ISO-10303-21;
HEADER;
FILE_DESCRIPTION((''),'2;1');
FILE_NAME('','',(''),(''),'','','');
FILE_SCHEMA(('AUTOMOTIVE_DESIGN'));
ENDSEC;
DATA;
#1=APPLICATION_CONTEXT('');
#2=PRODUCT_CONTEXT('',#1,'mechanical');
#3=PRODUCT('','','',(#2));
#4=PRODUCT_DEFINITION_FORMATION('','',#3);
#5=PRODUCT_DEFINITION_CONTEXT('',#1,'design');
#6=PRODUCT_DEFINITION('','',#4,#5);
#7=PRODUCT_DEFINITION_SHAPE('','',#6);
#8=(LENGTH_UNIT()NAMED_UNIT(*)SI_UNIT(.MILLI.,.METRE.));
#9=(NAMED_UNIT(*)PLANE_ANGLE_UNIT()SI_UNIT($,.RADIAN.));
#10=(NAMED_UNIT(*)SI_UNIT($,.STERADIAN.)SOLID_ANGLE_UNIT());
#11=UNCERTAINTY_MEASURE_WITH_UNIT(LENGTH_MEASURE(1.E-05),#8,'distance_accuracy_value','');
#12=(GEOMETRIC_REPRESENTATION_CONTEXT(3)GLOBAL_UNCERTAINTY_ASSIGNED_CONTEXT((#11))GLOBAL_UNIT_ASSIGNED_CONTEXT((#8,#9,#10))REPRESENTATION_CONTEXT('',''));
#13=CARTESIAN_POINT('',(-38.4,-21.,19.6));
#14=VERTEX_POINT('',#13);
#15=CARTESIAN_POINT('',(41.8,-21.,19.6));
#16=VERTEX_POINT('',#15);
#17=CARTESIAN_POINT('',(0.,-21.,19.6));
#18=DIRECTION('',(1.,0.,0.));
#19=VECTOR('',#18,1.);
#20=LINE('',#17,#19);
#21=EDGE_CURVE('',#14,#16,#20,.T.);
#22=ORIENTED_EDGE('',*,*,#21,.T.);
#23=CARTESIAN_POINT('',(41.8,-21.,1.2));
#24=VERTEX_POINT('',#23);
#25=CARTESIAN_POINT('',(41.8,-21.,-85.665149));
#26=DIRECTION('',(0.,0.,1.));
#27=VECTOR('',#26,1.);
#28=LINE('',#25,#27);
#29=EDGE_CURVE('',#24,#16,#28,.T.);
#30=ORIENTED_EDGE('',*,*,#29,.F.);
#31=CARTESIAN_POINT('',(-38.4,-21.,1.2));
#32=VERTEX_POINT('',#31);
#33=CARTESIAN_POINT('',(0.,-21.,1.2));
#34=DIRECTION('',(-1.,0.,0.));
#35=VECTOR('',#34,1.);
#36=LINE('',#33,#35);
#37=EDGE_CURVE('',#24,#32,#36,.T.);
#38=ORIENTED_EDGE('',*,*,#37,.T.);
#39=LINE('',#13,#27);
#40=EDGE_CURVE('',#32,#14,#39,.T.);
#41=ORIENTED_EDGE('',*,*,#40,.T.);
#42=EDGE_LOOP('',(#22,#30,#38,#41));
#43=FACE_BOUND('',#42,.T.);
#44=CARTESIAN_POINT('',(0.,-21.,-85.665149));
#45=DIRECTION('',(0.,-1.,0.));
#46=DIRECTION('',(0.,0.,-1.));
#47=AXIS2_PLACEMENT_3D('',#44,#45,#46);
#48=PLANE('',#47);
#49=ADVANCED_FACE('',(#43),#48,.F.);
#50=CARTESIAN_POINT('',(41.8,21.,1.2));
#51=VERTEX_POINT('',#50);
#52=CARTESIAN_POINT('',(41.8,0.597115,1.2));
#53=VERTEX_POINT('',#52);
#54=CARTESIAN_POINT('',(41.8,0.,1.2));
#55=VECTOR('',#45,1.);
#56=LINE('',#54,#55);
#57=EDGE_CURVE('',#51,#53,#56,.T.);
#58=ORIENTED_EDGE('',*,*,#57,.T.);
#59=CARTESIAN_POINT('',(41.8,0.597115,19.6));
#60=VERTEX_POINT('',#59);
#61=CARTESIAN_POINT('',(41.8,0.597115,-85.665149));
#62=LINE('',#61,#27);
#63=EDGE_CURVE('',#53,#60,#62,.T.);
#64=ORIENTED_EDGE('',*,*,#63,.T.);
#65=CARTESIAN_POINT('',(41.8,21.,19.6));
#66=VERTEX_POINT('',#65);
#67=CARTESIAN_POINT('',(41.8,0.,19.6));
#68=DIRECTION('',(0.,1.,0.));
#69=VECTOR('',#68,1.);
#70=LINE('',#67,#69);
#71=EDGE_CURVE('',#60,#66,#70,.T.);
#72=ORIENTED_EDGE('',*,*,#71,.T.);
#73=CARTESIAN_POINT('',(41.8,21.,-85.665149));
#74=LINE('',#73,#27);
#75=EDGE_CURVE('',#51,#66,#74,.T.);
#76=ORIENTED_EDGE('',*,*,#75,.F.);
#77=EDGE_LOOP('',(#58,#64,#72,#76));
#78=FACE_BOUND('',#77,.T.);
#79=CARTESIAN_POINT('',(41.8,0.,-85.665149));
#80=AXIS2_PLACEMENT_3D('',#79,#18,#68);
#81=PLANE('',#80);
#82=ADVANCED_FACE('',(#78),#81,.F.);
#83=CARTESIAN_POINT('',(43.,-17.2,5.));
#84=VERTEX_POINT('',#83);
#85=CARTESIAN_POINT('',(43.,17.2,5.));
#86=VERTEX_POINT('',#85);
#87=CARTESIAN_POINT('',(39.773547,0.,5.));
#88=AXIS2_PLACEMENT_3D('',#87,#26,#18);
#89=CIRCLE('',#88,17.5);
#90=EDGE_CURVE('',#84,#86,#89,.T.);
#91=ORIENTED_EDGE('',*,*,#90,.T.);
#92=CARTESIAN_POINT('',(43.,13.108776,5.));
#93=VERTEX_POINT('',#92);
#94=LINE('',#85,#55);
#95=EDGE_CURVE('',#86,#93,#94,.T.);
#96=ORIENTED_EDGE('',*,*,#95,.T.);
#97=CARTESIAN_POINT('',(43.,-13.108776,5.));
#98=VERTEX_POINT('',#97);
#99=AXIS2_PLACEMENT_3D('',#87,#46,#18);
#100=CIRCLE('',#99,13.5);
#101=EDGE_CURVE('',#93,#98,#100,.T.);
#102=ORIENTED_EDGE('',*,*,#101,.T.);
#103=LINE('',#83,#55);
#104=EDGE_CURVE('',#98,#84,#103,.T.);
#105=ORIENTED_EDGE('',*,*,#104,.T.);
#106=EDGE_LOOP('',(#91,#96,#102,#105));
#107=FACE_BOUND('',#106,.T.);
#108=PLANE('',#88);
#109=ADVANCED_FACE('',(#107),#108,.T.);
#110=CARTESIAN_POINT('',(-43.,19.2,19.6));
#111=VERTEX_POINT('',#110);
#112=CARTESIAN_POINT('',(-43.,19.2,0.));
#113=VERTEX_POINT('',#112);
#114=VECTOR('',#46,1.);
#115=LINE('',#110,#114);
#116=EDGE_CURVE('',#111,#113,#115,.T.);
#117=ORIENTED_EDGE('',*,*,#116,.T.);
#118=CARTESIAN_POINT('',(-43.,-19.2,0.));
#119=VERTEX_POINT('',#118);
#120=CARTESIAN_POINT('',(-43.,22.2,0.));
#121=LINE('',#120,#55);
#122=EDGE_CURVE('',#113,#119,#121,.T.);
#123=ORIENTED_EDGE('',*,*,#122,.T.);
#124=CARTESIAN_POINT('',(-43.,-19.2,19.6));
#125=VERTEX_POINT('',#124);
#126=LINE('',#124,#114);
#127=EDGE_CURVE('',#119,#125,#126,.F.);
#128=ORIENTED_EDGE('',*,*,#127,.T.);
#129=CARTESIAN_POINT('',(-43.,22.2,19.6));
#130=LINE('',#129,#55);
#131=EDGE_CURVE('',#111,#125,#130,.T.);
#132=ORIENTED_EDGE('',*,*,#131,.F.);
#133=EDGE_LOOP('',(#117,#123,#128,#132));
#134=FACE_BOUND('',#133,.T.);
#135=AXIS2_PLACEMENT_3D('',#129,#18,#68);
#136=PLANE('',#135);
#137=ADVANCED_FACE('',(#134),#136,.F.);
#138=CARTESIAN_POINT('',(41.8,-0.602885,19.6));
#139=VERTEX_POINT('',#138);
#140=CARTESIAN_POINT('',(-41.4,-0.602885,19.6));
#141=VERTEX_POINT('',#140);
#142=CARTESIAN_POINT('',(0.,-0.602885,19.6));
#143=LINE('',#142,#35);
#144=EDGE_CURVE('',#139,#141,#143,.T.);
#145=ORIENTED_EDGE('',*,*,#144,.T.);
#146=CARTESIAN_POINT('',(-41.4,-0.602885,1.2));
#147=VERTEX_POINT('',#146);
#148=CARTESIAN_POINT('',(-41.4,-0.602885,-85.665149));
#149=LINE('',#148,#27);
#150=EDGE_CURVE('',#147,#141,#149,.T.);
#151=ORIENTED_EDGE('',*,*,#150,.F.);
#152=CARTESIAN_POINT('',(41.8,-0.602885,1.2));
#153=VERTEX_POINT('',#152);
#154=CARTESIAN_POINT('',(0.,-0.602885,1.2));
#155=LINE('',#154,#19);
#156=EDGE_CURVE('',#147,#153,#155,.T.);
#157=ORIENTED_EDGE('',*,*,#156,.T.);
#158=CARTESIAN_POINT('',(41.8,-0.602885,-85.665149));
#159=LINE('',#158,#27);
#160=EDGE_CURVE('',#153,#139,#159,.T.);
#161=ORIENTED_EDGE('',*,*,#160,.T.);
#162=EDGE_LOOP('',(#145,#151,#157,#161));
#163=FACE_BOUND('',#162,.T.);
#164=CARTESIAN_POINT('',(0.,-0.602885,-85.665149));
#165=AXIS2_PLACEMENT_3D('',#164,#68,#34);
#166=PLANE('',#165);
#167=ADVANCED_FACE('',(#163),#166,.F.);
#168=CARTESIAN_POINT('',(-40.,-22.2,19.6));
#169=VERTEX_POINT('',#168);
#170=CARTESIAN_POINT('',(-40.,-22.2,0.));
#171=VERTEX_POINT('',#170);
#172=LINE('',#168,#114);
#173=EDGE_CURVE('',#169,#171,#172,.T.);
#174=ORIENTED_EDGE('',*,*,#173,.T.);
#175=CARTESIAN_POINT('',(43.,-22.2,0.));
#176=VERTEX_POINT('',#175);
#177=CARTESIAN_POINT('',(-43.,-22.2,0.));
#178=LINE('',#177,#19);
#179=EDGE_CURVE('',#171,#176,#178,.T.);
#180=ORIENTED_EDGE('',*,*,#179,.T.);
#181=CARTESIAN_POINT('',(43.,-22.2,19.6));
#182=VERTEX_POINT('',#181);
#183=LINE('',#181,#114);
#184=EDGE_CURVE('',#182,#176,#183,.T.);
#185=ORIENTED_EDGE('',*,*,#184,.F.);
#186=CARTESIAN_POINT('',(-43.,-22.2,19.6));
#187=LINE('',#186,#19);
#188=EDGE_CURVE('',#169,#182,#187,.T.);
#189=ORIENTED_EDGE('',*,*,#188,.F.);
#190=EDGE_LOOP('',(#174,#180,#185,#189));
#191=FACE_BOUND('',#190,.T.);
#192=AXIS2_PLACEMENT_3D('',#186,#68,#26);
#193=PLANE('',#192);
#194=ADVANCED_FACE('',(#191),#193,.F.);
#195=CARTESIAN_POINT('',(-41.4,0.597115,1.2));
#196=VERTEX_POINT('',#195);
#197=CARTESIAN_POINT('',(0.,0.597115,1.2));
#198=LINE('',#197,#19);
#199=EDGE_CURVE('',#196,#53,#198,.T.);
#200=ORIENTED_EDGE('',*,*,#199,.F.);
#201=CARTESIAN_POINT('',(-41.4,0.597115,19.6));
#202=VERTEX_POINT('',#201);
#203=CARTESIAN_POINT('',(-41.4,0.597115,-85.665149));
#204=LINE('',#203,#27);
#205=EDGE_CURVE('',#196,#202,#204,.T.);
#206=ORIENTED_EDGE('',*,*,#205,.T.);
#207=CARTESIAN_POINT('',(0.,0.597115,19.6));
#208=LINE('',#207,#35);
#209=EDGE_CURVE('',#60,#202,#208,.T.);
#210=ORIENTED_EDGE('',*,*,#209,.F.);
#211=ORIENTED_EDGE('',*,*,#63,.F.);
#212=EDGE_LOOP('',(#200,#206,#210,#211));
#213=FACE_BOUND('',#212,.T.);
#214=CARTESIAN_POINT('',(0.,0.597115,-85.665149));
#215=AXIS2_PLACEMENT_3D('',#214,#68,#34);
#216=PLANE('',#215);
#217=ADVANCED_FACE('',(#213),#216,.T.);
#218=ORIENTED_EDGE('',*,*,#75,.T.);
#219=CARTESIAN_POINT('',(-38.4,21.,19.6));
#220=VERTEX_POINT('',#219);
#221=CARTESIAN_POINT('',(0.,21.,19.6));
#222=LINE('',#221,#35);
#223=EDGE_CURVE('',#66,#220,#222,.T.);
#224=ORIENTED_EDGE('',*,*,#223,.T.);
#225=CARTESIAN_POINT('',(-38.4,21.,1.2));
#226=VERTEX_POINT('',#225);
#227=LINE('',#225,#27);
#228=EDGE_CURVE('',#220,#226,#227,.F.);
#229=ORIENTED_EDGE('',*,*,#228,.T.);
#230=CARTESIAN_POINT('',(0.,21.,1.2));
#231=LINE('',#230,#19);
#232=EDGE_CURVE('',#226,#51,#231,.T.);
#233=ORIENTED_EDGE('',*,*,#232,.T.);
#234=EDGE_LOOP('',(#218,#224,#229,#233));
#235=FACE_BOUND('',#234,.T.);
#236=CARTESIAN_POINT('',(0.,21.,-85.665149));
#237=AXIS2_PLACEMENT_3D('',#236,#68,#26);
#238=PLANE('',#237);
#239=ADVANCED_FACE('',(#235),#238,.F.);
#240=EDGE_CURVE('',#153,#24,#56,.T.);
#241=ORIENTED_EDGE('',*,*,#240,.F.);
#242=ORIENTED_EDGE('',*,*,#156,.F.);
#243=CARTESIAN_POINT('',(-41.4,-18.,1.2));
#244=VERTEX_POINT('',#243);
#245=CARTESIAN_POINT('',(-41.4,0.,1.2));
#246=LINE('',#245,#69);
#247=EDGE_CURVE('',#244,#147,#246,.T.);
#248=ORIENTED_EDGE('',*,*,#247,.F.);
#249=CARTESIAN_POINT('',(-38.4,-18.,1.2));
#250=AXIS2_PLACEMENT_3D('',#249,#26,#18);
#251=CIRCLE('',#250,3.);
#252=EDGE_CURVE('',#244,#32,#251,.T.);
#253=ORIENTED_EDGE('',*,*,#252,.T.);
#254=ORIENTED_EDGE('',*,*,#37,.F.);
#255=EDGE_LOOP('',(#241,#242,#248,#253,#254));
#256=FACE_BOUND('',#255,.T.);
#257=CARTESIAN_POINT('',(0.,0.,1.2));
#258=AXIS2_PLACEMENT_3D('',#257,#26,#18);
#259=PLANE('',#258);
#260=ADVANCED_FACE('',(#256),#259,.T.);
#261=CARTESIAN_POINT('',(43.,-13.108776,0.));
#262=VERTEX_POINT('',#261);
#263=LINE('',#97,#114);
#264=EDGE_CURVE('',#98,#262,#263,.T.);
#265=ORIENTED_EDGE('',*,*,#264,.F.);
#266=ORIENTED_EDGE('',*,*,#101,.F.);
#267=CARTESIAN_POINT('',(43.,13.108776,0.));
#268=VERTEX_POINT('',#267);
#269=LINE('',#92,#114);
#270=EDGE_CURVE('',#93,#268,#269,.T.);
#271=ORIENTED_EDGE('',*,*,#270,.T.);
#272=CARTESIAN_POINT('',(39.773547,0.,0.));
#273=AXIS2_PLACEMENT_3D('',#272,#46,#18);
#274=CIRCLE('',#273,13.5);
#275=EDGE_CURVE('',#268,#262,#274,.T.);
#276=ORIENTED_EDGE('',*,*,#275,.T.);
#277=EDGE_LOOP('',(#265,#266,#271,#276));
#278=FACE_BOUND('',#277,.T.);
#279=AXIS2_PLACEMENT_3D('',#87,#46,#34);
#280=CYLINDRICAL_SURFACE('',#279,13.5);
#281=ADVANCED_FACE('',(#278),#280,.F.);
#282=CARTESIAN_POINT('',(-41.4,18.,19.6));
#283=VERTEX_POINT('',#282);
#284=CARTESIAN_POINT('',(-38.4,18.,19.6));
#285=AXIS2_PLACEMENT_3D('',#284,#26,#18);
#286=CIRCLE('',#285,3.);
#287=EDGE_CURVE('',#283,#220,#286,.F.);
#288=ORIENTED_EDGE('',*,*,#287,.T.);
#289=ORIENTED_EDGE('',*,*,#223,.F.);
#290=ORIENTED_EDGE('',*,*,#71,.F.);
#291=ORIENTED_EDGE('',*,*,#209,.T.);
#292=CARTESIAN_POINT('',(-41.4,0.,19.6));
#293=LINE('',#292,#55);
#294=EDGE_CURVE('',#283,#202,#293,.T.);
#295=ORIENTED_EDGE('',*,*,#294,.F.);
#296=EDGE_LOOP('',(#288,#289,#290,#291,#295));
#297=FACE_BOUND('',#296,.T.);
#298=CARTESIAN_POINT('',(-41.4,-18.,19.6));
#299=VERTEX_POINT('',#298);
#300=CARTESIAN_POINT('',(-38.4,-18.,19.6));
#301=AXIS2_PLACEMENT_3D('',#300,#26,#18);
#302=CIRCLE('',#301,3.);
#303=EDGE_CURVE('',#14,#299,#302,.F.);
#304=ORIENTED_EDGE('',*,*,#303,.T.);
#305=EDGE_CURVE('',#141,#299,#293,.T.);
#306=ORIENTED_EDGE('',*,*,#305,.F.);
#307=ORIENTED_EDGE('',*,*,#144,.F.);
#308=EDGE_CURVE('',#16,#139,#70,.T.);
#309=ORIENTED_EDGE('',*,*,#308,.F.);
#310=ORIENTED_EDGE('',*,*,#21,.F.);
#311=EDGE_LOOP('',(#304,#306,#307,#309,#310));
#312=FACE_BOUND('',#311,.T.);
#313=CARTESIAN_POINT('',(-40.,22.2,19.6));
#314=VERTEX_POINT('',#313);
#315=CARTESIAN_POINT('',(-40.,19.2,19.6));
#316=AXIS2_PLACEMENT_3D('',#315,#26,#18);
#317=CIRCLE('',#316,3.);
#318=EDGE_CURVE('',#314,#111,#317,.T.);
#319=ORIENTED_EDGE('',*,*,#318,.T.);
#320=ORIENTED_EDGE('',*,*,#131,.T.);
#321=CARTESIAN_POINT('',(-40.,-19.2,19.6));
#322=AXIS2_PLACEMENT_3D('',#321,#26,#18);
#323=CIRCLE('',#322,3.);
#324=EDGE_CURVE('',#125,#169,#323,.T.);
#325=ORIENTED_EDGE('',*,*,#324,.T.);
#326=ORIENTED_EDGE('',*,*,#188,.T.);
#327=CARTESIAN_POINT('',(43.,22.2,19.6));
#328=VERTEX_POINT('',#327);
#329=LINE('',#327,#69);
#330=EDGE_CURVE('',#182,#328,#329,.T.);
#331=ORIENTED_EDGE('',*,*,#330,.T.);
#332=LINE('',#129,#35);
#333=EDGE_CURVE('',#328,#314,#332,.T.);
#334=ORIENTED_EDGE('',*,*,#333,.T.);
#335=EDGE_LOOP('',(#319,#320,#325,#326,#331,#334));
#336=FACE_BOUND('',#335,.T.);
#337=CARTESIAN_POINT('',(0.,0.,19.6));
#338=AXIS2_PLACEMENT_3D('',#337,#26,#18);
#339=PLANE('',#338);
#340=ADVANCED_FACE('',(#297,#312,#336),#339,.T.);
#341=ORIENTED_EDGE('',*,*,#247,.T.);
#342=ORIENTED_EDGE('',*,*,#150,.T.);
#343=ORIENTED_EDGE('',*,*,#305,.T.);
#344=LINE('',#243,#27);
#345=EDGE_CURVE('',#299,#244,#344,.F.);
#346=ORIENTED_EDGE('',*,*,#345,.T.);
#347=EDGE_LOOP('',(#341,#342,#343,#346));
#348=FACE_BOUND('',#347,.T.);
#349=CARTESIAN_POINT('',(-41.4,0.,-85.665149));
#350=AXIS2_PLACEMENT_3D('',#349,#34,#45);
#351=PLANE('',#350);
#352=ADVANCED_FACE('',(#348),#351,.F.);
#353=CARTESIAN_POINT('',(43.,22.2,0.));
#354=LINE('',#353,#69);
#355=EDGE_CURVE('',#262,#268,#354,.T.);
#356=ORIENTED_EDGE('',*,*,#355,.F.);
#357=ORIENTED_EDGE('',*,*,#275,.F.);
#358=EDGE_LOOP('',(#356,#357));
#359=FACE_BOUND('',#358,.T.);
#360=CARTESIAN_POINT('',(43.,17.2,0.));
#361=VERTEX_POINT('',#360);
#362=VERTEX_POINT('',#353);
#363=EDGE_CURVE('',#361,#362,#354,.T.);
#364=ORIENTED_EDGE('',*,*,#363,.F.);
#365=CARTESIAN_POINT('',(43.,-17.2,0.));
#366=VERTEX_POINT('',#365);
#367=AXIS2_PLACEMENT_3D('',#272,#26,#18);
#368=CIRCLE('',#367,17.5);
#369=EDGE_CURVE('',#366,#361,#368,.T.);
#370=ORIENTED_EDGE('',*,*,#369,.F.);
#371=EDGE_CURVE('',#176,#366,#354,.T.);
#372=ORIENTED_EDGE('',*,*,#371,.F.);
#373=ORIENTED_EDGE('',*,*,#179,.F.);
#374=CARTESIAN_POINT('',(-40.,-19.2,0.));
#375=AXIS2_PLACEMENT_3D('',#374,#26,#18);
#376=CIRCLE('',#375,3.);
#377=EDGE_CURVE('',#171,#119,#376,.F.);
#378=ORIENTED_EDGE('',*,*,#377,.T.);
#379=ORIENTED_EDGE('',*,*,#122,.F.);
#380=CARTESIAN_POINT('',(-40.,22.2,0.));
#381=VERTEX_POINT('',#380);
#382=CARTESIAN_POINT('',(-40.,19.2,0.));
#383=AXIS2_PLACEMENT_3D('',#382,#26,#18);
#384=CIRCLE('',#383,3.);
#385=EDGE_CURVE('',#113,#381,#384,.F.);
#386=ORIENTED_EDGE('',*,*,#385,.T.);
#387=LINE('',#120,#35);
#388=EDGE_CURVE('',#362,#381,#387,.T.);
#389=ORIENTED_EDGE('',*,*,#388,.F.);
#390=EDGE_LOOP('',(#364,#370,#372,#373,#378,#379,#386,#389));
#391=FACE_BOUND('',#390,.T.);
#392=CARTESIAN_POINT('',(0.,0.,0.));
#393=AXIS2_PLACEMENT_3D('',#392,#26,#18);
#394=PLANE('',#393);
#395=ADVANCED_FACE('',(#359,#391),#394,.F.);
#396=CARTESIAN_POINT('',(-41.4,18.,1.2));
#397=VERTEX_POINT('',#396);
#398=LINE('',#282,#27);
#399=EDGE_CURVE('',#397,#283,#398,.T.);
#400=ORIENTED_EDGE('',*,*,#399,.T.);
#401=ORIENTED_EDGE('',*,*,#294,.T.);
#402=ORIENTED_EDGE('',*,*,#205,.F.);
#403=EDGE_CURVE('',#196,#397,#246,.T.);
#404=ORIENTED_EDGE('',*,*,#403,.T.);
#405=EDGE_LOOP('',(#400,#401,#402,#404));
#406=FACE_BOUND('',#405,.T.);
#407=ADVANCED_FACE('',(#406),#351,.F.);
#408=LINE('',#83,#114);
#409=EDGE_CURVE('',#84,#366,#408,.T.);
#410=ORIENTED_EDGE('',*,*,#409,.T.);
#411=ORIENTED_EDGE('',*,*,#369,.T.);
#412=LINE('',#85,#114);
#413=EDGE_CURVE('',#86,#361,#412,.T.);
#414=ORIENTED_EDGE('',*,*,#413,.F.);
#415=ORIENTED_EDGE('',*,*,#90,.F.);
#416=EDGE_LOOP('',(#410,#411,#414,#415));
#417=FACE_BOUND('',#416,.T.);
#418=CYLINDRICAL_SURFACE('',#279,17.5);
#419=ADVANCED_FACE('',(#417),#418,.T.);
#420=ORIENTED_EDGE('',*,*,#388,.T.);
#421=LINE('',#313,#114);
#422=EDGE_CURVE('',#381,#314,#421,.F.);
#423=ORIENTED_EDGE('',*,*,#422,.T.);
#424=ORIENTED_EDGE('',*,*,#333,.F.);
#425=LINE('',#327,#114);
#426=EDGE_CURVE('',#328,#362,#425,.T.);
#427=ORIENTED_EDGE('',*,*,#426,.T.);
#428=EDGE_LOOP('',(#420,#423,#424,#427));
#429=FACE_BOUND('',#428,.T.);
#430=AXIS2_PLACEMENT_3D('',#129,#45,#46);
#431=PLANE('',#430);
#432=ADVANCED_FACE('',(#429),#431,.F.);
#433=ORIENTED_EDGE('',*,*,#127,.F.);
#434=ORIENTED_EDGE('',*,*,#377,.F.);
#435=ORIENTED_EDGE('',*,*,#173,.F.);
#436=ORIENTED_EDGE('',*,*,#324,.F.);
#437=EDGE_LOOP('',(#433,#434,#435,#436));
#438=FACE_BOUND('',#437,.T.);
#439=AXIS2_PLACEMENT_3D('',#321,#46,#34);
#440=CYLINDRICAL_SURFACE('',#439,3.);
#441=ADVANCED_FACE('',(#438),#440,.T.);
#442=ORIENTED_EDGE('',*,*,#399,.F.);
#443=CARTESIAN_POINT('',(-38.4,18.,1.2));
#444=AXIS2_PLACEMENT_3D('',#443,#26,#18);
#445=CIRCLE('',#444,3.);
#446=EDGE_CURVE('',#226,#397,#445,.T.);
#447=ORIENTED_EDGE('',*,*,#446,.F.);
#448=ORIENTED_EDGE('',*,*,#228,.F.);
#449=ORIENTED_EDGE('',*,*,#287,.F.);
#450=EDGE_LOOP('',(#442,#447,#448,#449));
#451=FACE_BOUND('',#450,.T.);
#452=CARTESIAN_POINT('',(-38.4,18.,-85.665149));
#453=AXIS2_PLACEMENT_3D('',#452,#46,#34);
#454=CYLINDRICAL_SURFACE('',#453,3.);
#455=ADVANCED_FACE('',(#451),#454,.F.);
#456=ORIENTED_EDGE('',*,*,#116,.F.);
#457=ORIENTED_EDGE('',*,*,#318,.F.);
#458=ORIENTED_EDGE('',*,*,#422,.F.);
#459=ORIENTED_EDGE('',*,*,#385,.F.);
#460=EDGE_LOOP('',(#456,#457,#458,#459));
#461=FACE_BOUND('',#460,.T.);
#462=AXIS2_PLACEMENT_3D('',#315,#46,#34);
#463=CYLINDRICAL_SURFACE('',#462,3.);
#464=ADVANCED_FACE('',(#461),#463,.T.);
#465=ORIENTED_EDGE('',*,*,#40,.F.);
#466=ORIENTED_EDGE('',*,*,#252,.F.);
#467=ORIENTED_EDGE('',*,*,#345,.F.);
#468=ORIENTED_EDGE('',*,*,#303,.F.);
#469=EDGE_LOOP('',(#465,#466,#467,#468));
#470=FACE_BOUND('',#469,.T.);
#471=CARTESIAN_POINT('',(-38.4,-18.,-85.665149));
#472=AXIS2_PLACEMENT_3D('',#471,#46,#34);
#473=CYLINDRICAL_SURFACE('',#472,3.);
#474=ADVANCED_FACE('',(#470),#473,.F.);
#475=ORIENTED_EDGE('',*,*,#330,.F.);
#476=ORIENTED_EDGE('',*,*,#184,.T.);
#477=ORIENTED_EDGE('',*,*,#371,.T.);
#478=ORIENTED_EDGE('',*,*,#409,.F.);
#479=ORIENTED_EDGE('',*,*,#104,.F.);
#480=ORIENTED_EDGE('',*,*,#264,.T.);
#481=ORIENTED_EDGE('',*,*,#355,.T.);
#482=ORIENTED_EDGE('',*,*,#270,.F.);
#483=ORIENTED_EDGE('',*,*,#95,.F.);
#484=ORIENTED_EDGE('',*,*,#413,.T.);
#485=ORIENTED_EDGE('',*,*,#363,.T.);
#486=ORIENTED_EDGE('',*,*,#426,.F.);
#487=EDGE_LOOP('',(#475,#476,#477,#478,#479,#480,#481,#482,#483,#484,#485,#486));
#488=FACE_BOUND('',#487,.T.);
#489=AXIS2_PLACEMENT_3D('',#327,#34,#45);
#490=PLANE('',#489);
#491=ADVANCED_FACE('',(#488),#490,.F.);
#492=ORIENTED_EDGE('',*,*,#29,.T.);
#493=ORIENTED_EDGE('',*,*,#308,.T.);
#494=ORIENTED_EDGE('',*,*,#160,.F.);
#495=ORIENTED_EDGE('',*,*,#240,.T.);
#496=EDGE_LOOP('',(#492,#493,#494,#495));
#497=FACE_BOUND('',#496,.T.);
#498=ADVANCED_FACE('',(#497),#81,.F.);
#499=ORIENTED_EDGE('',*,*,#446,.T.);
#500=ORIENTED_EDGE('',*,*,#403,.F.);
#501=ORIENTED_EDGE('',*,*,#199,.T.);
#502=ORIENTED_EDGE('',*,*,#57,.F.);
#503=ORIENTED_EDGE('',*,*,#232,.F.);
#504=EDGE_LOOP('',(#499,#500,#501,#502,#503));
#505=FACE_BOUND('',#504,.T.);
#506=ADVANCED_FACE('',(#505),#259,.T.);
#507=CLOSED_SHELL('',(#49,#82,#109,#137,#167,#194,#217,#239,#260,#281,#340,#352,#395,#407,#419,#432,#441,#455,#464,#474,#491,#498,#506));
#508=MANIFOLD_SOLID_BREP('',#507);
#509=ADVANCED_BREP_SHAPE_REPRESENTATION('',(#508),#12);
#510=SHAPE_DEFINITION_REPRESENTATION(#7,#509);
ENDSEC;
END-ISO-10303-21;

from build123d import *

# Parameters (mm, degrees)
SKETCH_1_W          = 86
SKETCH_1_H          = 44.4
EXTRUDE_1_DEPTH     = 19.6
EXTRUDE_2_DEPTH     = 5
SKETCH_3_W          = 83.2
SKETCH_3_H          = 20.402884615
SKETCH_3_H_2        = 20.397115385
CUT_EXTRUDE_1_DEPTH = 18.4
FILLET_1_R          = 3


with BuildPart() as part:
    # Эскиз1 → Бобышка-Вытянуть1 (new body)
    with BuildSketch(Plane.XY):
        Rectangle(SKETCH_1_W, SKETCH_1_H)
    extrude(amount=EXTRUDE_1_DEPTH)

    # Эскиз2 → Бобышка-Вытянуть2 (add)
    with BuildSketch(Plane.XY):
        with BuildLine():
            Line((43, 17.2), (43, 13.108775687))
            ThreePointArc((43, 13.108775687), (53.273546839, 0), (43, -13.108775687))
            Line((43, -13.108775687), (43, -17.2))
            ThreePointArc((43, -17.2), (57.273546839, 0), (43, 17.2))
        make_face()
    extrude(amount=EXTRUDE_2_DEPTH)

    # Эскиз3 → Вырез-Вытянуть1 (cut)
    with BuildSketch(Plane.XY.offset(19.6)):
        with Locations((0.2, 10.798557692)):
            Rectangle(SKETCH_3_W, SKETCH_3_H)
        with Locations((0.2, -10.801442308)):
            Rectangle(SKETCH_3_W, SKETCH_3_H_2)
    extrude(amount=-CUT_EXTRUDE_1_DEPTH, mode=Mode.SUBTRACT)

    # Скругление1
    fillet_1_edges = [part.edges().sort_by_distance(p)[0] for p in [
        (-41.4, 21, 10.4),
        (-41.4, -21, 10.4),
        (-43, -22.2, 9.8),
        (-43, 22.2, 9.8),
    ]]
    fillet(fillet_1_edges, radius=FILLET_1_R)


solid = part.part
